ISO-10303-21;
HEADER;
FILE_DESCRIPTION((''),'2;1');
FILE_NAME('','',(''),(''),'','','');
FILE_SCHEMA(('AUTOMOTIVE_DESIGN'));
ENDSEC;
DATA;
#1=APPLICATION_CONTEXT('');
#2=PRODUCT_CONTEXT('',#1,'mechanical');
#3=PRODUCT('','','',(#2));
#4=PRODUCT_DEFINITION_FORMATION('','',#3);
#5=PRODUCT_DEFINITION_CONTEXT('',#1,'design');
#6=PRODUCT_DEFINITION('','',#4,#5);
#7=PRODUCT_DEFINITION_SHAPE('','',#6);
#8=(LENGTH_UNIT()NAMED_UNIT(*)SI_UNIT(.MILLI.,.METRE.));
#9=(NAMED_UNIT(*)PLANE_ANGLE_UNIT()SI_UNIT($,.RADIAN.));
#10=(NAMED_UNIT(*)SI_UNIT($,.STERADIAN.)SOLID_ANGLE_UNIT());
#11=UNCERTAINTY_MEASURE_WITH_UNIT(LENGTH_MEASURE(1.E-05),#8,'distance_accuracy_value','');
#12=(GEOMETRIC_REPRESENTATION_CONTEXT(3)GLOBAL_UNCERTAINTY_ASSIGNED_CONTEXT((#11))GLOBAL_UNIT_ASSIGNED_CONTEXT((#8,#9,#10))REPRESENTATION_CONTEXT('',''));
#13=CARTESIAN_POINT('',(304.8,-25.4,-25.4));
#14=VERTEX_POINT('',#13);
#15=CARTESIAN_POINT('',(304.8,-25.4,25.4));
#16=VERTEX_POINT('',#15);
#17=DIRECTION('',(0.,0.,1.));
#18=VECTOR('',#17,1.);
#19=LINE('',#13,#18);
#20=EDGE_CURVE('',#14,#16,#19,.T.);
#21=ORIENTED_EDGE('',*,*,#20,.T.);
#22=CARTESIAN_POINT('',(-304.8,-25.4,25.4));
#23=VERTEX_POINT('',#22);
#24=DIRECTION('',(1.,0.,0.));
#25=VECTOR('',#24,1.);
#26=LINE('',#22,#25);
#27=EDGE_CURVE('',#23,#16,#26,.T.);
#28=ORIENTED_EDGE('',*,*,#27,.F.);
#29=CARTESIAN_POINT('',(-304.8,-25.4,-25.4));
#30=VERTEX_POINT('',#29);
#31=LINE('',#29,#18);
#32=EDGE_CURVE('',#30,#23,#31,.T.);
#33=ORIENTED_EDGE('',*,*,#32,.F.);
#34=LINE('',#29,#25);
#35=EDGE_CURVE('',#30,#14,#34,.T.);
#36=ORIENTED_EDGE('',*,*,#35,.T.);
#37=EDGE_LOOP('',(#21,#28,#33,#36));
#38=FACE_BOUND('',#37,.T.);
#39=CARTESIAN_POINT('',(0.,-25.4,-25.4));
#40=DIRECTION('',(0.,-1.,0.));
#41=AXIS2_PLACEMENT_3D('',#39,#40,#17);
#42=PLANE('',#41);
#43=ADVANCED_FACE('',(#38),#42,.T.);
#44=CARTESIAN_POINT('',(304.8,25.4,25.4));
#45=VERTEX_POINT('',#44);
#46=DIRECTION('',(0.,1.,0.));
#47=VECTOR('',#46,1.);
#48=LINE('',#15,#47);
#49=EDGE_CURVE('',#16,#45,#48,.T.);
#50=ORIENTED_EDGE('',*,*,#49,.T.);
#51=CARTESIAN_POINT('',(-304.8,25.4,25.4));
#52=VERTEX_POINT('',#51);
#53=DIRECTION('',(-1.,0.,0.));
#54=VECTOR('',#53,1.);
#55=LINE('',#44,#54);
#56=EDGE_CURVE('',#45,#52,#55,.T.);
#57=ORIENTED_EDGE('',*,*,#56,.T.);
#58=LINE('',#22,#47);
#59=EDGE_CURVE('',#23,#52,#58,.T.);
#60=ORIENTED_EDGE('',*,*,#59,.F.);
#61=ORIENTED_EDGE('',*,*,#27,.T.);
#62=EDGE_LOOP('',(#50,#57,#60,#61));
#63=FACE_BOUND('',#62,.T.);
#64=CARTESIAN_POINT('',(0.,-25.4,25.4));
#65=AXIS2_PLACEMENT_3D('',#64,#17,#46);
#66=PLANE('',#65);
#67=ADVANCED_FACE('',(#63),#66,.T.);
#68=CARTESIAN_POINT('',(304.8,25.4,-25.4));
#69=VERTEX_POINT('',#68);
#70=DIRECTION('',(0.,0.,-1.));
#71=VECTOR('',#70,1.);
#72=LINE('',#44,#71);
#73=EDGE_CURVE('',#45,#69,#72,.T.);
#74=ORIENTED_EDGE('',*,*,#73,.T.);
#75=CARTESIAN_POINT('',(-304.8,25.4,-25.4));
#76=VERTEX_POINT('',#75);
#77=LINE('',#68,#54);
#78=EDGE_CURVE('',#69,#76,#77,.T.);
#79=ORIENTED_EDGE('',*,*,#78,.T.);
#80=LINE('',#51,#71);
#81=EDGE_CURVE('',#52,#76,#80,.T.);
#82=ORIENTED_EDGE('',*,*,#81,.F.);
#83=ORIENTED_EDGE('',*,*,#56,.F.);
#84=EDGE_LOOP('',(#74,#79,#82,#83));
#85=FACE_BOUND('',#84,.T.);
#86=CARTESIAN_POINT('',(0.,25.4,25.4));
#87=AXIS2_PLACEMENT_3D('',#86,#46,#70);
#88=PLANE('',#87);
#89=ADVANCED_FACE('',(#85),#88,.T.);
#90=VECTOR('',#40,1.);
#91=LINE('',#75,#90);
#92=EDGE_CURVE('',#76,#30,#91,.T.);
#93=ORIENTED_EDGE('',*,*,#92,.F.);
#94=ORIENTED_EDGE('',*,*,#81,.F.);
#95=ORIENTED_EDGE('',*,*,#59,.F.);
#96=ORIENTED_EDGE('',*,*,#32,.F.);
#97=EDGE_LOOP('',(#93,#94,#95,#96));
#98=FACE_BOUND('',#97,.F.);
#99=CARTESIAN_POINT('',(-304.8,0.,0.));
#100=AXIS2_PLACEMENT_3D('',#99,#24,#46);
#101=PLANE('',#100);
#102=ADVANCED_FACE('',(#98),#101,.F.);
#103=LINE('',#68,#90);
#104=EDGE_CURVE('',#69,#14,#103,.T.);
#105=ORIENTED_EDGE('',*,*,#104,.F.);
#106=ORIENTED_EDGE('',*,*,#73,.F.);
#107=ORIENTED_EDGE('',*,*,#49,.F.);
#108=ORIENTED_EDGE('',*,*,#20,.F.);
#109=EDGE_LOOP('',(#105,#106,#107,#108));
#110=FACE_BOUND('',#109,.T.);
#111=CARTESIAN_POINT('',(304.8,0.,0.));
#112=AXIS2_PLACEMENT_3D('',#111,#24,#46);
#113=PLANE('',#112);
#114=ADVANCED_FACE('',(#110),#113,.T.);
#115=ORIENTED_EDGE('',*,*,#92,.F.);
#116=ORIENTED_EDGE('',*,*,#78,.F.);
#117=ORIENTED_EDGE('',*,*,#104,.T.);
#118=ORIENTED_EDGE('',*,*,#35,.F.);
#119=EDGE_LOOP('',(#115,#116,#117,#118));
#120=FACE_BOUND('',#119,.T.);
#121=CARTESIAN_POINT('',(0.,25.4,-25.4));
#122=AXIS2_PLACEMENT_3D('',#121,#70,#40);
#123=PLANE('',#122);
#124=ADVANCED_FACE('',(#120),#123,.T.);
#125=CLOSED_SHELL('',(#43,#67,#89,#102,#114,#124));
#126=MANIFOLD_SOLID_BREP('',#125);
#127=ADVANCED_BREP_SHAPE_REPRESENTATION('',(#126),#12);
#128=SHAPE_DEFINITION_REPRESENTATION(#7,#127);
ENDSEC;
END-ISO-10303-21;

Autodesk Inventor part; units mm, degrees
ref_plane "YZ Plane" through (0, 0, 0) normal (1, 0, 0) x (0, 1, 0)
ref_plane "XZ Plane" through (0, 0, 0) normal (0, 1, 0) x (-1, 0, 0)
ref_plane "XY Plane" through (0, 0, 0) normal (0, 0, 1) x (1, 0, 0)
sketch "Sketch1" plane through (0, 0, 0) normal (1, 0, 0) x (0, 1, 0)
  line L0 (-25.4, 25.4) -> (25.4, 25.4)
  line L1 (25.4, 25.4) -> (25.4, -25.4)
  line L2 (25.4, -25.4) -> (-25.4, -25.4)
  line L3 (-25.4, -25.4) -> (-25.4, 25.4)
  line L4 (-25.4, 25.4) -> (25.4, -25.4) construction
  line L5 (25.4, 25.4) -> (-25.4, -25.4) construction
  point P0 (0, 0)
  dimension "d0" = 50.8
  dimension "d1" = 50.8
extrude "Extrusion1" add sketch "Sketch1" along normal mid plane 609.6
properties part number "MU-EV-02" material "Aluminum 6061"
